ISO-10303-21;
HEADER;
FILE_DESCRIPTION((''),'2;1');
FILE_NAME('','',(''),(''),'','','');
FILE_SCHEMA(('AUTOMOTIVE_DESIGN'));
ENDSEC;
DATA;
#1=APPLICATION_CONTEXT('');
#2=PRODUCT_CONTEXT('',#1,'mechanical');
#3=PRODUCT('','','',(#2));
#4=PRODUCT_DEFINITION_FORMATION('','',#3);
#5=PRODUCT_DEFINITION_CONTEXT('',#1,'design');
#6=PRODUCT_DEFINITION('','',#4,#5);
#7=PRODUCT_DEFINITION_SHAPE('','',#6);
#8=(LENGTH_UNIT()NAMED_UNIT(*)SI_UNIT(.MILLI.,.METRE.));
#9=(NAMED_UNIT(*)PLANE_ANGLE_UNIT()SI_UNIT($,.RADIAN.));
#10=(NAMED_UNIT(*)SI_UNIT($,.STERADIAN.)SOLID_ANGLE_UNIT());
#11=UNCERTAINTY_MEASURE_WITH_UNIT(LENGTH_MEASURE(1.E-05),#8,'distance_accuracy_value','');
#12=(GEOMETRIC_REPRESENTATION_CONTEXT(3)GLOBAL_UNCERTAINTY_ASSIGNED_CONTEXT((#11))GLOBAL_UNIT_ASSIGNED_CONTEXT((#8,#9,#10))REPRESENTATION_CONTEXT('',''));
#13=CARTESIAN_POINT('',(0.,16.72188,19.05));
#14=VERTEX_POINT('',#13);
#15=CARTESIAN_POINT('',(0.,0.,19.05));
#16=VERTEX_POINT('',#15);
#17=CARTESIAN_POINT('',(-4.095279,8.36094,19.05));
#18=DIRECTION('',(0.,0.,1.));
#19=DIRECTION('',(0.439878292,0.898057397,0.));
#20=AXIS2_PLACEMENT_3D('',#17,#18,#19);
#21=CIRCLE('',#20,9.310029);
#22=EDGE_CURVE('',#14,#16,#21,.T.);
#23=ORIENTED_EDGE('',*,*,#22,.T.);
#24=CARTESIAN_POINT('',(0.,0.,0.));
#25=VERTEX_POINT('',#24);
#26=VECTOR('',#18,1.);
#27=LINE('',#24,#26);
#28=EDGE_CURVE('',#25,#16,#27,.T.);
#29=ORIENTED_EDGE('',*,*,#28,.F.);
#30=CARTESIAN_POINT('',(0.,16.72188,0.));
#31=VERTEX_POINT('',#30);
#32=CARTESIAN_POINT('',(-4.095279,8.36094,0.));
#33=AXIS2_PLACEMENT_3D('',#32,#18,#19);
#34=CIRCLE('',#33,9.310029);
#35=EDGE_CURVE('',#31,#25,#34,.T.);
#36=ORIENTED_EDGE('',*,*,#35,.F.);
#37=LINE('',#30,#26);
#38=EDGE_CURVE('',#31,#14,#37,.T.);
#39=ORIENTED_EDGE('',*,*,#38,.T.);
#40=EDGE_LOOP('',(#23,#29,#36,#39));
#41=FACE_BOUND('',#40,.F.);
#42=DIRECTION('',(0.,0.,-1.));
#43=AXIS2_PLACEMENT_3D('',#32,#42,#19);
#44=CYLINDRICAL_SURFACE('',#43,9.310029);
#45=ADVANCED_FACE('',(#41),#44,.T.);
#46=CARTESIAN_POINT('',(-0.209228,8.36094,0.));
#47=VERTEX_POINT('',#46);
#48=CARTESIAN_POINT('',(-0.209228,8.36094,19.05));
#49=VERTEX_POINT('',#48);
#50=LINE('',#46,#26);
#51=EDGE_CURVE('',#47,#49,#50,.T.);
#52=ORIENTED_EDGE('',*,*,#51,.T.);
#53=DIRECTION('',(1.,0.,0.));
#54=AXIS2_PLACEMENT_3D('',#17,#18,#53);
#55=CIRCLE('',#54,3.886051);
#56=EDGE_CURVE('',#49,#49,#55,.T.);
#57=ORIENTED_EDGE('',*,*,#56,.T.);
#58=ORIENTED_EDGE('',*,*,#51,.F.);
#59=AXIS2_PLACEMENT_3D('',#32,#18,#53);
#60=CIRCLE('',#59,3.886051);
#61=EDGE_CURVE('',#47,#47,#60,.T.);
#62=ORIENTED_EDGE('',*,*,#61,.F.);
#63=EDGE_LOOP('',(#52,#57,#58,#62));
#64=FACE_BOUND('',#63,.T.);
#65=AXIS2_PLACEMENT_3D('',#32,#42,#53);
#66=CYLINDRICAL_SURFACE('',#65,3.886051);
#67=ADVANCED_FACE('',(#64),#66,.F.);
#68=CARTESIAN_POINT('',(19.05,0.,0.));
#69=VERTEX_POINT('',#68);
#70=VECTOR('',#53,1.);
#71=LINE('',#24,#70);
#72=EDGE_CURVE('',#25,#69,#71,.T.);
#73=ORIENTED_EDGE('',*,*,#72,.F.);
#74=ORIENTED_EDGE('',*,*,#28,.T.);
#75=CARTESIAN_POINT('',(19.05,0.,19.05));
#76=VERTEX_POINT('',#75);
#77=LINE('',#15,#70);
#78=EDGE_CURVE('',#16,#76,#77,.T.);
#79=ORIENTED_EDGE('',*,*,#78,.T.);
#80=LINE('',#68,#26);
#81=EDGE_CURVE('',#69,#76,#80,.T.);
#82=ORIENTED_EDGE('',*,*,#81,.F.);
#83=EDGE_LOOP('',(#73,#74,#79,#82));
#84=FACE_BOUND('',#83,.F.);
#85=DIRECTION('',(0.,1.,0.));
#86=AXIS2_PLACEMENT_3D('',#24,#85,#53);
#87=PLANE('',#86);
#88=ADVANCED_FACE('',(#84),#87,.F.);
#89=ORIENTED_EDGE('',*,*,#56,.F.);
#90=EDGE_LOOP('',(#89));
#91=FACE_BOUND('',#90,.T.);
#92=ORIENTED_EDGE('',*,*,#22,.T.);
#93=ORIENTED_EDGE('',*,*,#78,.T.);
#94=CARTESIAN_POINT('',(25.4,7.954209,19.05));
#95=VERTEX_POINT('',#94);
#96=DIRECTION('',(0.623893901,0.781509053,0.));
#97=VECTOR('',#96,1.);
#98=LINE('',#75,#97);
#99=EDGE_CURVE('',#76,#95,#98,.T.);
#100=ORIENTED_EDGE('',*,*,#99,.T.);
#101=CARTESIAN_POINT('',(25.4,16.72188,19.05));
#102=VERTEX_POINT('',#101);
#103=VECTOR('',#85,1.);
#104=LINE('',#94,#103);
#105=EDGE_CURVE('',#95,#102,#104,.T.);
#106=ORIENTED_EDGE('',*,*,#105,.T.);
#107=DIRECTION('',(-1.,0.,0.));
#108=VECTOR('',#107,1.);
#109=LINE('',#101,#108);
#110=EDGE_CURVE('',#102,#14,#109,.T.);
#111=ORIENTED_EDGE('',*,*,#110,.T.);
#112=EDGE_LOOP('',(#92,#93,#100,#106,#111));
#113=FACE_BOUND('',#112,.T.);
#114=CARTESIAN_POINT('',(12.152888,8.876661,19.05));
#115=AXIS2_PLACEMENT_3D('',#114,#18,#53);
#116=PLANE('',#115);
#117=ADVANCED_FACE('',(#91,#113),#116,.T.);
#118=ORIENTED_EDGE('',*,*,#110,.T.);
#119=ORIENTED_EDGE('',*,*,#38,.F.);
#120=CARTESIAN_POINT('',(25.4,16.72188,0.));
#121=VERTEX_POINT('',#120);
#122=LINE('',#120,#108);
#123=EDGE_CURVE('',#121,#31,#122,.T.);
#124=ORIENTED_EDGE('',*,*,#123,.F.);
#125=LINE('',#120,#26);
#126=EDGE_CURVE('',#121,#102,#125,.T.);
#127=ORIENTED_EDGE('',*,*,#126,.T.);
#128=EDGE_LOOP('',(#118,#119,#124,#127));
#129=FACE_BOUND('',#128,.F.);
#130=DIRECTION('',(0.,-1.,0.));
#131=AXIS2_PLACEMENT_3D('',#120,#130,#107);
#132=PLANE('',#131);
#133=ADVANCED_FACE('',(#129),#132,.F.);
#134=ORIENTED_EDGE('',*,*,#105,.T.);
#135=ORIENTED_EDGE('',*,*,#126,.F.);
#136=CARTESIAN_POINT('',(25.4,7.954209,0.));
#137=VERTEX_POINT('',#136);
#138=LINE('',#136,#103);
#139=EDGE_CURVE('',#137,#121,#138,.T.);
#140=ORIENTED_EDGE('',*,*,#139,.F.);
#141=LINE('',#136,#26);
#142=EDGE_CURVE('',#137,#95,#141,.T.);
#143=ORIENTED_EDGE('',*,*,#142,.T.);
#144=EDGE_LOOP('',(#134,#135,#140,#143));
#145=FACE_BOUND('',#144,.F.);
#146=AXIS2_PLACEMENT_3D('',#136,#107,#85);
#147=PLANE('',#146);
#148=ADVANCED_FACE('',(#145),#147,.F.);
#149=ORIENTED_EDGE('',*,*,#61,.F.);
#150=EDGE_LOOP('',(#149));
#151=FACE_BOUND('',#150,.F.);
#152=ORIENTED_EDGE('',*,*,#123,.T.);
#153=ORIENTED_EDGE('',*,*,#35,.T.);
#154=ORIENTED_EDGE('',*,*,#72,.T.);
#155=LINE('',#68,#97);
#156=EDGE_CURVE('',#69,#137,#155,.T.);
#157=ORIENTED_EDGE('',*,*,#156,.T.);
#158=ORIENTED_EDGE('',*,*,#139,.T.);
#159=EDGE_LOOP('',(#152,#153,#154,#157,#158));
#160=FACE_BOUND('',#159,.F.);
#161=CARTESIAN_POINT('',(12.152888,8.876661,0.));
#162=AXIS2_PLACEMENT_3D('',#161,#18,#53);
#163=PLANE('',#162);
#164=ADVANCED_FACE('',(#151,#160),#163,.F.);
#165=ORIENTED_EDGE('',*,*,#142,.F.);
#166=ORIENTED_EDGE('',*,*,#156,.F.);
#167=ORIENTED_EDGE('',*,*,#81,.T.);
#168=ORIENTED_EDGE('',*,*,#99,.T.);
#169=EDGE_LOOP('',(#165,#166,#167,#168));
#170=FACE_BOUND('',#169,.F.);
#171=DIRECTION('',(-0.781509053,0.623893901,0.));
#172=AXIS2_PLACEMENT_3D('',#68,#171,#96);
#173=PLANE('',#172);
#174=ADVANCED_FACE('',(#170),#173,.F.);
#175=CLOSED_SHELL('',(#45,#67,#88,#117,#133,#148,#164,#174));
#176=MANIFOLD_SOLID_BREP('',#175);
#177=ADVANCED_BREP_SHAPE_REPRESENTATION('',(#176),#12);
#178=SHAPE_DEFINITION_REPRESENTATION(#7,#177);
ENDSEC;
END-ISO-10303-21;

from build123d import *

# Parameters (mm, degrees)
F0_R     = 3.886051
F1_DEPTH = 19.05
F2_DEPTH = 19.05


with BuildPart() as f1:
    # F0 (on Top) → F1 (new body)
    with BuildSketch(Plane.XY):
        with BuildLine():
            ThreePointArc((5.214749, 8.36094), (3.804208, 3.434001), (0, 0))
            Line((0, 0), (19.05, 0))
            Line((19.05, 0), (25.4, 7.954209))
            Line((25.4, 7.954209), (25.4, 16.72188))
            Line((25.4, 16.72188), (0, 16.72188))
            ThreePointArc((0, 16.72188), (3.804208, 13.287879), (5.214749, 8.36094))
        make_face()
        with BuildLine():
            ThreePointArc((0, 16.72188), (-13.405308, 8.36094), (0, 0))
            ThreePointArc((0, 0), (3.804208, 3.434001), (5.214749, 8.36094))
            ThreePointArc((5.214749, 8.36094), (3.804208, 13.287879), (0, 16.72188))
        make_face()
        with Locations((-4.095279, 8.36094)):
            Circle(F0_R, mode=Mode.SUBTRACT)
    extrude(amount=F1_DEPTH)

    # F0 (on Top) → F2 (join)
    with BuildSketch(Plane.XY):
        with BuildLine():
            ThreePointArc((5.214749, 8.36094), (3.804208, 3.434001), (0, 0))
            Line((0, 0), (19.05, 0))
            Line((19.05, 0), (25.4, 7.954209))
            Line((25.4, 7.954209), (25.4, 16.72188))
            Line((25.4, 16.72188), (0, 16.72188))
            ThreePointArc((0, 16.72188), (3.804208, 13.287879), (5.214749, 8.36094))
        make_face()
        with BuildLine():
            ThreePointArc((0, 16.72188), (-13.405308, 8.36094), (0, 0))
            ThreePointArc((0, 0), (3.804208, 3.434001), (5.214749, 8.36094))
            ThreePointArc((5.214749, 8.36094), (3.804208, 13.287879), (0, 16.72188))
        make_face()
        with Locations((-4.095279, 8.36094)):
            Circle(F0_R, mode=Mode.SUBTRACT)
    extrude(amount=F2_DEPTH)


solid = f1.part
